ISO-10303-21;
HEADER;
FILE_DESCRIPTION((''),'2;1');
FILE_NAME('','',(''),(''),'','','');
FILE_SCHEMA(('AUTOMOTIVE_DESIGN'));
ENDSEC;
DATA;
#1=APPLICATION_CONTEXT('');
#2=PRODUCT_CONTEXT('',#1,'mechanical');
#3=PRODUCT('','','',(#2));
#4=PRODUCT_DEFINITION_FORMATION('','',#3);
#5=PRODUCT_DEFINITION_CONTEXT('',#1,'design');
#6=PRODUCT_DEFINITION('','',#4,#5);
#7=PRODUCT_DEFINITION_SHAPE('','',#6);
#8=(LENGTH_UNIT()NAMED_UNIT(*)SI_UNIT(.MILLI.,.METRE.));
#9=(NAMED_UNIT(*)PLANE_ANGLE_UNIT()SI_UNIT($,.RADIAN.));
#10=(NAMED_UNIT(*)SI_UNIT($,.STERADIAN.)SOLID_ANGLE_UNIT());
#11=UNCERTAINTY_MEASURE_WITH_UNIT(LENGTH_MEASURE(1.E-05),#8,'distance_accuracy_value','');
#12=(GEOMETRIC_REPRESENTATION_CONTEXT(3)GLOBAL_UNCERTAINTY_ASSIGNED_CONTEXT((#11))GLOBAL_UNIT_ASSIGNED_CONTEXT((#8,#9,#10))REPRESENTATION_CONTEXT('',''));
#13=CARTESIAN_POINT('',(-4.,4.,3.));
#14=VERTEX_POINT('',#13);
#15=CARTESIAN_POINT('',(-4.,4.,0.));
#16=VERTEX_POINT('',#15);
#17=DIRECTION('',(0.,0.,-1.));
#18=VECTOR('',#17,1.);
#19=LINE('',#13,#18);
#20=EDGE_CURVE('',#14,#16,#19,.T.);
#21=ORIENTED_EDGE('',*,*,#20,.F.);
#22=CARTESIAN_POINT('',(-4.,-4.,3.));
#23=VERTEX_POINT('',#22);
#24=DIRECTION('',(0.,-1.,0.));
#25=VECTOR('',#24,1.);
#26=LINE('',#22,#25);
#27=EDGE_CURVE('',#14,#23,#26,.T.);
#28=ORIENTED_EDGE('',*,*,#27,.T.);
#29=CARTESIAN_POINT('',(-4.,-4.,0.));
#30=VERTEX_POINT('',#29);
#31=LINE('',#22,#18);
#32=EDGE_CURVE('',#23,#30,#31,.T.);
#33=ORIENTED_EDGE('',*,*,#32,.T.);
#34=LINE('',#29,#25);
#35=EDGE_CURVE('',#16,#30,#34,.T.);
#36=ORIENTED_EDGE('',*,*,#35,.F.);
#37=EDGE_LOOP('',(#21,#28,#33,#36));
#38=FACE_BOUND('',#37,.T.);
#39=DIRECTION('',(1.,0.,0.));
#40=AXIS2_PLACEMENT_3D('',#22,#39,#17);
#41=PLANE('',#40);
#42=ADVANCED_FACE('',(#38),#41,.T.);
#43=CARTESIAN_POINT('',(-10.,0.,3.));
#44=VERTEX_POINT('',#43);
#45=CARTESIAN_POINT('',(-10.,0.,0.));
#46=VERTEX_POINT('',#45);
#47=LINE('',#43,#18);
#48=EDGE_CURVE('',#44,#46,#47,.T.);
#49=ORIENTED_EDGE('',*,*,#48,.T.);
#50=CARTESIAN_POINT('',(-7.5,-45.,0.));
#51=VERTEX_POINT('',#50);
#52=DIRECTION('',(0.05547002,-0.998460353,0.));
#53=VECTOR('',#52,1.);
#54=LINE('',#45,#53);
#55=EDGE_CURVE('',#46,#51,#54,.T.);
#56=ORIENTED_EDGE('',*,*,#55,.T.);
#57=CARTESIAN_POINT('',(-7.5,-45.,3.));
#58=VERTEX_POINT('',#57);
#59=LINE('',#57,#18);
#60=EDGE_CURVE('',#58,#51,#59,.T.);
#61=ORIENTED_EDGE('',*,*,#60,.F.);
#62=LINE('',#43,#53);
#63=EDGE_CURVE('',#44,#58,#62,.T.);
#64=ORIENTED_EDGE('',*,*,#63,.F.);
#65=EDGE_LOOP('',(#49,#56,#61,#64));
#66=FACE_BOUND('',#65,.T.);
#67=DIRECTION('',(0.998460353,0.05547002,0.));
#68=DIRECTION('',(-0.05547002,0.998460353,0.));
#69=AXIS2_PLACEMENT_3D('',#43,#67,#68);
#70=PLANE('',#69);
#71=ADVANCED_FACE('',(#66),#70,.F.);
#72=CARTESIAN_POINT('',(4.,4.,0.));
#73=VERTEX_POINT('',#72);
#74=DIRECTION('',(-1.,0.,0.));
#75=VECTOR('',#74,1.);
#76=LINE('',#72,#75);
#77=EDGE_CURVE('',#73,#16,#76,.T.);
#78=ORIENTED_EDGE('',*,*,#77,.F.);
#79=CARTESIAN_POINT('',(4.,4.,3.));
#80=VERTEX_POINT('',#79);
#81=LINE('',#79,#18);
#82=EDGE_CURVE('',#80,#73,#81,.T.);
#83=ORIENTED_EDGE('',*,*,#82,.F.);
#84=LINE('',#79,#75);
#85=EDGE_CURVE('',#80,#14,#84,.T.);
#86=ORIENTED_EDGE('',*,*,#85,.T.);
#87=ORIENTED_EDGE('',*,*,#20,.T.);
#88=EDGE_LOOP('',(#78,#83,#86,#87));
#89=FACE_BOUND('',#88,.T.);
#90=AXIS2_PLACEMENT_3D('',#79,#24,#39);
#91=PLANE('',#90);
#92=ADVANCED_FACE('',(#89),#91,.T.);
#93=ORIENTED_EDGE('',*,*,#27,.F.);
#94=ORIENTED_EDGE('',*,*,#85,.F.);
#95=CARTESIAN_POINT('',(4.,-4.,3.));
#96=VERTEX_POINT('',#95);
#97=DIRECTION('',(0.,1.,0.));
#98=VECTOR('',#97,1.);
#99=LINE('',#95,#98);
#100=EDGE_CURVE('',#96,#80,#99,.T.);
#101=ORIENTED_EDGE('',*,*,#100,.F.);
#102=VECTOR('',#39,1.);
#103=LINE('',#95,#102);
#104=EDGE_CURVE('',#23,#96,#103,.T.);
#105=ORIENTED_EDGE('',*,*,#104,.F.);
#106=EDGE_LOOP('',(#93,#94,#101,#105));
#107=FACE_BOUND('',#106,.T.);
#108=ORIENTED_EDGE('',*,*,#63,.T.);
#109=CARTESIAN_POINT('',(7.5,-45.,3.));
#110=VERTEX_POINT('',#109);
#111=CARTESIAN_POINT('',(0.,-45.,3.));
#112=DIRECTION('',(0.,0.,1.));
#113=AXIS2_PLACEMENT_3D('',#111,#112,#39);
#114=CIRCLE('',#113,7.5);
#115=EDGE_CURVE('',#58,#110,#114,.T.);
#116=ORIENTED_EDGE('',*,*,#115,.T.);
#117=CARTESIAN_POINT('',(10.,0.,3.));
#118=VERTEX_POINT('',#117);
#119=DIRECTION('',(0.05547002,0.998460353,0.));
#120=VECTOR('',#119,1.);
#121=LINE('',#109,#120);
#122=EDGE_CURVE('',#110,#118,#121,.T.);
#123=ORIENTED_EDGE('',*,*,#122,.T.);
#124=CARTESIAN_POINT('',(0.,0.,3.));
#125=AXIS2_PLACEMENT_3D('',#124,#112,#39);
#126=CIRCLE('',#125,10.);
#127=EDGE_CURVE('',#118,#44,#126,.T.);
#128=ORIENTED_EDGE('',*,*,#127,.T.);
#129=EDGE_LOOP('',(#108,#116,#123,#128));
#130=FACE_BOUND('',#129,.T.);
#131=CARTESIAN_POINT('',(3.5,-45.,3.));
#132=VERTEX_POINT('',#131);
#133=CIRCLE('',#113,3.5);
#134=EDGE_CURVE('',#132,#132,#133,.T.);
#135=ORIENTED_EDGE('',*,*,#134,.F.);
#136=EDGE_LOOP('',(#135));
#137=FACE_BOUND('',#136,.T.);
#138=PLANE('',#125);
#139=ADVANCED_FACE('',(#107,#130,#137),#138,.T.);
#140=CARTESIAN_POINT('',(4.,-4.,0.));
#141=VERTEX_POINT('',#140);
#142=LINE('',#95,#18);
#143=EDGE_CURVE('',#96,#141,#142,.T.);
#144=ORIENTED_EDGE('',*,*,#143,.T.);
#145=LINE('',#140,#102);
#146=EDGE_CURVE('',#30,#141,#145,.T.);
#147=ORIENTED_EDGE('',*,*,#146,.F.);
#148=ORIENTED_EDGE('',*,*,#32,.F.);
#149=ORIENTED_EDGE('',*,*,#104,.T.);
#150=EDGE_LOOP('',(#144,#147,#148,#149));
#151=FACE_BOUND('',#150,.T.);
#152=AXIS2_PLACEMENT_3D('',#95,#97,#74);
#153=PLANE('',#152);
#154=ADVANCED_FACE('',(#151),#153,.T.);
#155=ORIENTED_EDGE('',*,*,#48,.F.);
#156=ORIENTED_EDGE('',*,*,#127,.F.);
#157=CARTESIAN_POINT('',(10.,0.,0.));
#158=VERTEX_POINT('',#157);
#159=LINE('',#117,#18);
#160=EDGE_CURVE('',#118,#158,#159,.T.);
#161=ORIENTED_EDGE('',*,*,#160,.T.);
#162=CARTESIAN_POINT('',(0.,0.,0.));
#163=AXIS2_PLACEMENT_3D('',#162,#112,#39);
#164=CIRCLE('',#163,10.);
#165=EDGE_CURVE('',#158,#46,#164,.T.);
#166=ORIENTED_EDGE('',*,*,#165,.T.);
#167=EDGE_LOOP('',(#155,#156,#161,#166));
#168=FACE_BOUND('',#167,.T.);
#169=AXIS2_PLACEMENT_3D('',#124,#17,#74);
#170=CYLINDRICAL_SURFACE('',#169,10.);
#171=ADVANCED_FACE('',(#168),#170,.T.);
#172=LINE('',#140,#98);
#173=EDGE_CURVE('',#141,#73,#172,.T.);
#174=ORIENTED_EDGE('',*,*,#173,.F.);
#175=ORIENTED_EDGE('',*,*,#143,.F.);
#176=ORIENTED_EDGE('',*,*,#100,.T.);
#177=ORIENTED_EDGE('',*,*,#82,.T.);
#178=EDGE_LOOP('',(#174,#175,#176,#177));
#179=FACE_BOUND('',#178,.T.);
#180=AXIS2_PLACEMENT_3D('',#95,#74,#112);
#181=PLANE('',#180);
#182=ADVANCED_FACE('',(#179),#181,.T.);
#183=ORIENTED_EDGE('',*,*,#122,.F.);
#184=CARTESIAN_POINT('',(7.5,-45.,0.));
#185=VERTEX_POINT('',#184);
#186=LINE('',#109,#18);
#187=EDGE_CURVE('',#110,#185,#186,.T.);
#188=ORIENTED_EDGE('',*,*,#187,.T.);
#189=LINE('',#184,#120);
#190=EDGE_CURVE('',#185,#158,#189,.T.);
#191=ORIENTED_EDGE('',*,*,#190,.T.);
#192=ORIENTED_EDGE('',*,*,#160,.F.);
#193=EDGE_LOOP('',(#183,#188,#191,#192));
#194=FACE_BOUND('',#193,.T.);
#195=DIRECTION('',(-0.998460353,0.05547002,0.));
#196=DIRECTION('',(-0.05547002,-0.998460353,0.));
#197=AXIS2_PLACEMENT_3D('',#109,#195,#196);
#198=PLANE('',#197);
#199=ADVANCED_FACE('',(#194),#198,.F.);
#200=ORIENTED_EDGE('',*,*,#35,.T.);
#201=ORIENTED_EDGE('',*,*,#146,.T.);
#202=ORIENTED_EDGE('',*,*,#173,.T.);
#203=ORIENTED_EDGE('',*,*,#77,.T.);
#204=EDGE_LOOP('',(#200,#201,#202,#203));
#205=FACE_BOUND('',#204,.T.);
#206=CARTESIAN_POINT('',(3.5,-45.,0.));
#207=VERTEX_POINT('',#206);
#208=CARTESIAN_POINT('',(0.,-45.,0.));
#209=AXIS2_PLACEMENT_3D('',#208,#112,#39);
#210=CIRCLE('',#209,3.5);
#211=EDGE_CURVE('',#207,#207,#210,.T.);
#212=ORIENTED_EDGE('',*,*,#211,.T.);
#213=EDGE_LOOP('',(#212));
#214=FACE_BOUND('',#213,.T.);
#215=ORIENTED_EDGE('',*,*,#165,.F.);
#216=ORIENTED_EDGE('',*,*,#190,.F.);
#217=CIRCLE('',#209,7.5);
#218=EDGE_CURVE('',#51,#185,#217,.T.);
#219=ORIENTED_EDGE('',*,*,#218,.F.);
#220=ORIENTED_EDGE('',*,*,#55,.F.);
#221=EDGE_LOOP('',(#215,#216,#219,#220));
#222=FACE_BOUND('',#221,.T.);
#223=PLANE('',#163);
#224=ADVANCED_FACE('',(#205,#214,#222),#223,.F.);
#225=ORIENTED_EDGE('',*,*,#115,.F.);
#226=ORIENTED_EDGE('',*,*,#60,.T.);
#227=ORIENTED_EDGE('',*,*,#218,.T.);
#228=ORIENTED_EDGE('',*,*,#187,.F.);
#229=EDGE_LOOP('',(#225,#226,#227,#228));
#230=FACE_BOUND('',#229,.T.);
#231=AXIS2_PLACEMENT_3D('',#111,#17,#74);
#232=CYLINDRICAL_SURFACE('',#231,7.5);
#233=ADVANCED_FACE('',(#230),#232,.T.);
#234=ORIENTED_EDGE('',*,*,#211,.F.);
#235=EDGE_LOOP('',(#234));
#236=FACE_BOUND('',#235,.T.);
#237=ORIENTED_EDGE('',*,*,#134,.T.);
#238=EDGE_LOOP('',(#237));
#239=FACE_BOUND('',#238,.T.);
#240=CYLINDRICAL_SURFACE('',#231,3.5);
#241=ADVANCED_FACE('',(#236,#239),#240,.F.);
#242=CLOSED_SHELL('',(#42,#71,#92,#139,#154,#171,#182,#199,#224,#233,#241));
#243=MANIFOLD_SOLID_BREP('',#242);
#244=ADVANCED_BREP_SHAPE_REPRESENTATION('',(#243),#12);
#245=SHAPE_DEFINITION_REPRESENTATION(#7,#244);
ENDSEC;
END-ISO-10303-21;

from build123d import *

# Parameters (mm, degrees)
CROQUIS1_R              = 3.5
CROQUIS1_W              = 8
CROQUIS1_H              = 8
SALIENTE_EXTRUIR1_DEPTH = 3


with BuildPart() as part:
    # Croquis1 → Saliente-Extruir1 (new body)
    with BuildSketch(Plane.XY):
        with BuildLine():
            Line((-10, 0), (-7.5, -45))
            ThreePointArc((-7.5, -45), (0, -52.5), (7.5, -45))
            Line((7.5, -45), (10, 0))
            ThreePointArc((10, 0), (0, 10), (-10, 0))
        make_face()
        with Locations((0, -45)):
            Circle(CROQUIS1_R, mode=Mode.SUBTRACT)
        Rectangle(CROQUIS1_W, CROQUIS1_H, mode=Mode.SUBTRACT)
    extrude(amount=SALIENTE_EXTRUIR1_DEPTH)


solid = part.part
